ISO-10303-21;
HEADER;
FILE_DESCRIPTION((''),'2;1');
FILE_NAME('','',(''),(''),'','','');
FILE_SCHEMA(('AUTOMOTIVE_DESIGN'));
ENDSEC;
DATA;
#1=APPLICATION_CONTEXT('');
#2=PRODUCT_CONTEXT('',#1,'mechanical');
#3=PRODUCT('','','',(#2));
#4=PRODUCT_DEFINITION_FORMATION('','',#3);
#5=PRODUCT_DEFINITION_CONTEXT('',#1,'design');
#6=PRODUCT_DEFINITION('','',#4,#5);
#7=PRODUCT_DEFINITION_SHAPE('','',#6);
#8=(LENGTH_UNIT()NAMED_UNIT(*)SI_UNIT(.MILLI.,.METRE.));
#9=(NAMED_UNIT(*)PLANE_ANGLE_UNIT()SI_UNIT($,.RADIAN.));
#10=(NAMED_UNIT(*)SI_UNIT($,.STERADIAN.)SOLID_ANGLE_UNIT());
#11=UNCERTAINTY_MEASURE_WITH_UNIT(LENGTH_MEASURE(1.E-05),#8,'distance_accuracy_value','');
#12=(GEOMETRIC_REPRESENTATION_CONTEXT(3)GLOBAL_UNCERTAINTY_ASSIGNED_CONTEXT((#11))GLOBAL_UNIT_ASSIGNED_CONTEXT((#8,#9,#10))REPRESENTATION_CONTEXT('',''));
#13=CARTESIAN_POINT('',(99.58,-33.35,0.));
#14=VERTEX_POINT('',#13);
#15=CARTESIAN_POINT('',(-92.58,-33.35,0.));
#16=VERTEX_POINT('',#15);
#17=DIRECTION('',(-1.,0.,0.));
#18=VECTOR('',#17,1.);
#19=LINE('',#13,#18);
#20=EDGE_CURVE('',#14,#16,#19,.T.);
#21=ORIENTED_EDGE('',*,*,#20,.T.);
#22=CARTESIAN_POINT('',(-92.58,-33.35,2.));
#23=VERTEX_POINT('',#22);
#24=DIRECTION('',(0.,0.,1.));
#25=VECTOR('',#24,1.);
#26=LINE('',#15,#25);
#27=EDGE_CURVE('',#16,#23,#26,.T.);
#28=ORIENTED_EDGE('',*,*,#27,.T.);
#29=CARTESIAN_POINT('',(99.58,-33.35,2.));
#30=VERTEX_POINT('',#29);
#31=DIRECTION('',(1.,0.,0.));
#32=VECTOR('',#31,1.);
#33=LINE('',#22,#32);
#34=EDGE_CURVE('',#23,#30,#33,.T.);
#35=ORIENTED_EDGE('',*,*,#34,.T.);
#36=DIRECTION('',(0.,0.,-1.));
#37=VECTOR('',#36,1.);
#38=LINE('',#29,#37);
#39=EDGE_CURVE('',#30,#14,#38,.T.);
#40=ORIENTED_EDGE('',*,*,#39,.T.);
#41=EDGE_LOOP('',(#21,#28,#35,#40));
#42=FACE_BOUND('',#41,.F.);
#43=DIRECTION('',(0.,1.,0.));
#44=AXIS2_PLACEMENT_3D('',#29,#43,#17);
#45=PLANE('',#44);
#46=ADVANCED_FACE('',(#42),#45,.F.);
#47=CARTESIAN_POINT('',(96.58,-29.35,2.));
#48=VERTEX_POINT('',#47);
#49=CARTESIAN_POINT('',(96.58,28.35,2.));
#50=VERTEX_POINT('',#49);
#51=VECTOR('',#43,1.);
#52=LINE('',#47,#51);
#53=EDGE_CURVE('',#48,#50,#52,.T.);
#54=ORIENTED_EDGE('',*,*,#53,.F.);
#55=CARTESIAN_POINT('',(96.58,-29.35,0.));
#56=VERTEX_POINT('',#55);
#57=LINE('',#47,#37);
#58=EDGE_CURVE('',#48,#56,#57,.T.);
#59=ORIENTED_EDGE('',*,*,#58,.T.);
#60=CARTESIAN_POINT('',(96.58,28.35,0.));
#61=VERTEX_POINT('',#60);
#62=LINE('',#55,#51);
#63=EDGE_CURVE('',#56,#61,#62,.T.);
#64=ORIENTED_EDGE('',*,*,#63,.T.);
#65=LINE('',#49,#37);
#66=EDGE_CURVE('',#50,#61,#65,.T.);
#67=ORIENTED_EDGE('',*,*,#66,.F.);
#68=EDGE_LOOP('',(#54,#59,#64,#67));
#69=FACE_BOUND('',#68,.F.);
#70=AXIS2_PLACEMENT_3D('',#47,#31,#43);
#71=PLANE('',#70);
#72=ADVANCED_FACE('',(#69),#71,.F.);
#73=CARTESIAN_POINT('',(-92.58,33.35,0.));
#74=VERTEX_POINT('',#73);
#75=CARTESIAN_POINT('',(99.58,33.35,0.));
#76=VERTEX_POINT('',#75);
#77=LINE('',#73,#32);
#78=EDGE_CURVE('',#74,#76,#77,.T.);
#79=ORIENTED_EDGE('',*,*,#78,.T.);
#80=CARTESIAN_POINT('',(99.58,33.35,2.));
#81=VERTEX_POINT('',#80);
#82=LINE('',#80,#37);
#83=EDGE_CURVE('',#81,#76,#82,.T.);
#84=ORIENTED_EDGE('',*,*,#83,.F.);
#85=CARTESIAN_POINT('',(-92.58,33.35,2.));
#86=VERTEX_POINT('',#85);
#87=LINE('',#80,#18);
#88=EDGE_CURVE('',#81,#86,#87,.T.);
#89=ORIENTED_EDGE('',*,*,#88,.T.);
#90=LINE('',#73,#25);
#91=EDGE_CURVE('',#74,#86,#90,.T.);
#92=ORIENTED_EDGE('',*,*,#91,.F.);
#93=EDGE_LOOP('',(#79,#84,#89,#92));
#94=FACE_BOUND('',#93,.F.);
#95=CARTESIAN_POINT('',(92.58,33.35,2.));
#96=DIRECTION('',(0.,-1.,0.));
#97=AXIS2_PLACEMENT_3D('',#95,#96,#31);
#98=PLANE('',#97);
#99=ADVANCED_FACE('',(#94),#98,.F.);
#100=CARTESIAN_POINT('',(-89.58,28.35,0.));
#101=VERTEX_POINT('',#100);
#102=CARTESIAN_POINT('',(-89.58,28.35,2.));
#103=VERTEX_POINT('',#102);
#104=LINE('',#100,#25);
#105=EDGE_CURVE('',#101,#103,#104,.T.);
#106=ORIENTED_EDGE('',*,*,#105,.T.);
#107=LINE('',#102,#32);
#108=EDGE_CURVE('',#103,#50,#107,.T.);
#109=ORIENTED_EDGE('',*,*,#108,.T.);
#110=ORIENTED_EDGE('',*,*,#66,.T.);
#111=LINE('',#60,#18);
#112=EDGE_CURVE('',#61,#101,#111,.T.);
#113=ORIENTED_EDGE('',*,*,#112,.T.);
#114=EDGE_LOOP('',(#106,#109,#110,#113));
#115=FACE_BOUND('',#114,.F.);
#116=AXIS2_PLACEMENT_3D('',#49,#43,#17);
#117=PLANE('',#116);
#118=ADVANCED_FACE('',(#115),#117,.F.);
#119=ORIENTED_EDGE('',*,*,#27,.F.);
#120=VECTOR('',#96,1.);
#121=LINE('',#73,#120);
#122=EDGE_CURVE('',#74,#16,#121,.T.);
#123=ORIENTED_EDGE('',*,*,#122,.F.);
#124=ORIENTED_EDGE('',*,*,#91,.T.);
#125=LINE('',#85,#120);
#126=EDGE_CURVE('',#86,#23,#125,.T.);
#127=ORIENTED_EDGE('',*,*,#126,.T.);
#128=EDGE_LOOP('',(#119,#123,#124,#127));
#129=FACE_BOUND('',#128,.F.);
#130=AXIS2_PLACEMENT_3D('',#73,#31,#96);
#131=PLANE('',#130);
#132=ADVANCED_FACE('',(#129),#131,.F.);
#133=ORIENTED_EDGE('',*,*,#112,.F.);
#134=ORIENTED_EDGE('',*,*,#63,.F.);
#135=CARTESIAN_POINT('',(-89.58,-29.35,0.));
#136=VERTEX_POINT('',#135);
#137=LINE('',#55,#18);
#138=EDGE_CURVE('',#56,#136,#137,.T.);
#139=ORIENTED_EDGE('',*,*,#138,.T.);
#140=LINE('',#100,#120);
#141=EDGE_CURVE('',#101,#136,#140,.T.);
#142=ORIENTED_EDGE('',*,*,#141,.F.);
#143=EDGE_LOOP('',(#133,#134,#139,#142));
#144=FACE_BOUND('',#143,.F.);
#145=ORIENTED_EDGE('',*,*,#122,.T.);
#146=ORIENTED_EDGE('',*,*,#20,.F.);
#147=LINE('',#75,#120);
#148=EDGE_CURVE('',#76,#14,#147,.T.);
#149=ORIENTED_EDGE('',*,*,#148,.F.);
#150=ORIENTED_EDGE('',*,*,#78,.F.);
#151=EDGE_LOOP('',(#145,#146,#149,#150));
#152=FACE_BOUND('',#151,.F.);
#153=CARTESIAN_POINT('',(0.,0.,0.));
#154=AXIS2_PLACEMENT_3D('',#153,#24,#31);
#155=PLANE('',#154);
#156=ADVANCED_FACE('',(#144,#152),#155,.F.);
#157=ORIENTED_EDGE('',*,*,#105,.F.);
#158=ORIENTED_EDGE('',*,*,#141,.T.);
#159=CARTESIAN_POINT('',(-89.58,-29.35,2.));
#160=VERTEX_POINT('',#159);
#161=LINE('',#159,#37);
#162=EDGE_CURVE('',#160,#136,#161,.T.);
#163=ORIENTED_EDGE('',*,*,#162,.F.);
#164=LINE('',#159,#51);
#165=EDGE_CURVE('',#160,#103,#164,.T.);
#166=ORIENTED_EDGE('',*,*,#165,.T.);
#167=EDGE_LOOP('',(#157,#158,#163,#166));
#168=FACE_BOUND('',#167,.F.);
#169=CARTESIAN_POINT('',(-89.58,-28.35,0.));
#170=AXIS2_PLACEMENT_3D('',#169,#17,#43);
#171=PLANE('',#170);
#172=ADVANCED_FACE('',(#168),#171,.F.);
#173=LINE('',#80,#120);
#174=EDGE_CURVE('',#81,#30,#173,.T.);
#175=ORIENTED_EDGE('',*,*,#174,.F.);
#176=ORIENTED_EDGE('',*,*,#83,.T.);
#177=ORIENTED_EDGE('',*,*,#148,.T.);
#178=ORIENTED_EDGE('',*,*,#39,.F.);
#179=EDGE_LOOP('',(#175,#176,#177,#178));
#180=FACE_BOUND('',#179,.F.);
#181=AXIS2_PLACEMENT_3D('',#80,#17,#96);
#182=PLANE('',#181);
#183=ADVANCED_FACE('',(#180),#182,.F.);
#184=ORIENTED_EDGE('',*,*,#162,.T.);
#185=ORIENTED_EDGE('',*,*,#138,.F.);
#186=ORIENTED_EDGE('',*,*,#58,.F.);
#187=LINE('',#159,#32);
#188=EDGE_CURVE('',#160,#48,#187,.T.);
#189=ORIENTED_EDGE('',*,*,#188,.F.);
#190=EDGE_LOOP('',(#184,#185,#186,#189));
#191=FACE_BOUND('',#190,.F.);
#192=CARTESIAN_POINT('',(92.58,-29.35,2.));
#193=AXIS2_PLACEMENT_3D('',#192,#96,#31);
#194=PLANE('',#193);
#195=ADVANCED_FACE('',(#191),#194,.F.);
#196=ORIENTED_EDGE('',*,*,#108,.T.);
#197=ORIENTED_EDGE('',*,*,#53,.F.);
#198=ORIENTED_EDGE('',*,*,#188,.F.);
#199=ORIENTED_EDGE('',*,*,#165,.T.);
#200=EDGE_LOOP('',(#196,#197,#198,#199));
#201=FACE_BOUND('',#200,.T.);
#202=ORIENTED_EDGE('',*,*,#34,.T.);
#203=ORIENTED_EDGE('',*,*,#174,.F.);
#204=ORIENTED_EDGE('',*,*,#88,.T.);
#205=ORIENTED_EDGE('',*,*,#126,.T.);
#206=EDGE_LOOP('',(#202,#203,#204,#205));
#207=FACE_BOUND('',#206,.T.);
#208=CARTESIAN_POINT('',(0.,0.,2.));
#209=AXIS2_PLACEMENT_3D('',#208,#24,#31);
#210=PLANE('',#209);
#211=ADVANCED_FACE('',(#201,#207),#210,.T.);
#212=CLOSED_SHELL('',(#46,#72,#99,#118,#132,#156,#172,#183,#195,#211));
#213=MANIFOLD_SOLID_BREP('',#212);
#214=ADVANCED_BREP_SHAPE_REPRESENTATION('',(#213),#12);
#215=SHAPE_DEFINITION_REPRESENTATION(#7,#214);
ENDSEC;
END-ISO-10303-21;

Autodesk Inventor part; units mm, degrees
ref_plane "YZ Plane" through (0, 0, 0) normal (1, 0, 0) x (0, 1, 0)
ref_plane "XZ Plane" through (0, 0, 0) normal (0, 1, 0) x (-1, 0, 0)
ref_plane "XY Plane" through (0, 0, 0) normal (0, 0, 1) x (1, 0, 0)
sketch "Sketch1" plane through (0, 0, 0) normal (0, 0, 1) x (1, 0, 0)
  line L0 (0, 0) -> (92.58, 0)
  line L1 (92.58, 0) -> (92.58, 33.35)
  line L2 (92.58, 33.35) -> (-92.58, 33.35)
  line L3 (-92.58, 33.35) -> (-92.58, -33.35)
  line L4 (-92.58, -33.35) -> (92.58, -33.35)
  line L5 (92.58, -33.35) -> (92.58, 33.35)
  line L6 (-92.58, 33.35) -> (-89.58, 33.35)
  line L7 (-89.58, 33.35) -> (-89.58, 28.35)
  line L8 (92.58, -33.35) -> (89.58, -33.35)
  line L9 (89.58, -33.35) -> (89.58, -28.35)
  line L10 (-89.58, 28.35) -> (89.58, 28.35)
  line L11 (89.58, 28.35) -> (89.58, -28.35)
  line L12 (89.58, -28.35) -> (-89.58, -28.35)
  line L13 (-89.58, -28.35) -> (-89.58, 28.35)
  dimension "d0" = 92.58
  dimension "d1" = 33.35
  dimension "d2" = 185.16
  dimension "d3" = 66.7
  dimension "d4" = 3
  dimension "d5" = 5
  dimension "d6" = 3
  dimension "d7" = 5
extrude "Extrusion1" add sketch "Sketch1" along normal blind 2 contours L11 L10 L7 L2 L1 L0 | L0 L5 L4 L9 L11 | L9 L4 L3 L2 L7 L13 L12
sketch "Sketch2" plane through (-89.58, -28.35, 0) normal (0, 1, 0) x (1, 0, 0)
  line L0 (179.16, -2) -> (0, -2) projected
  line L1 (0, 0) -> (179.16, 0)
  line L2 (179.16, 0) -> (179.16, -2)
  line L3 (179.16, -2) -> (0, -2)
  line L4 (0, -2) -> (0, 0)
  point P0 (89.58, 0)
extrude "Extrusion2" cut sketch "Sketch2" against normal blind 1
sketch "Sketch3" plane through (0, 0, 2) normal (0, 0, 1) x (1, 0, 0)
  point P0 (0, 0)
sketch "Sketch4" plane through (0, 0, 2) normal (0, 0, 1) x (1, 0, 0)
  line L0 (92.58, -33.35) -> (92.58, 33.35) projected
  line L1 (92.58, 33.35) -> (99.58, 33.35)
  line L2 (99.58, 33.35) -> (99.58, -33.35)
  line L3 (99.58, -33.35) -> (92.58, -33.35)
  line L4 (89.58, 28.35) -> (89.58, -29.35) projected
  line L5 (89.58, -29.35) -> (96.58, -29.35)
  line L6 (96.58, -29.35) -> (96.58, 28.35)
  line L7 (96.58, 28.35) -> (89.58, 28.35)
  point P0 (0, 0)
  point P1 (92.58, 28.35)
  point P2 (92.58, -29.35)
  dimension "d12" = 7
  dimension "d13" = 90
  dimension "d14" = 7
  dimension "d15" = 90
extrude "Extrusion3" add sketch "Sketch4" against normal blind 2 contours L0 L5 L6 L7 L1 L2 L3
sketch "Sketch5" plane through (0, 0, 2) normal (0, 0, 1) x (1, 0, 0)
  line L0 (-89.58, 28.35) -> (89.58, 28.35) projected
  line L1 (96.58, -29.35) -> (92.58, -29.35) projected
  line L2 (89.58, 28.35) -> (92.58, 28.35)
  line L3 (92.58, 28.35) -> (92.58, -29.35)
  line L4 (92.58, -29.35) -> (89.58, -29.35)
  line L5 (89.58, -29.35) -> (89.58, 28.35)
  point P0 (0, 0)
extrude "Extrusion4" cut sketch "Sketch5" against normal blind 2
equation "\"d2\" = 2 * d0"
equation "\"d3\" = 2 * d1"
properties part number "Front cover"
